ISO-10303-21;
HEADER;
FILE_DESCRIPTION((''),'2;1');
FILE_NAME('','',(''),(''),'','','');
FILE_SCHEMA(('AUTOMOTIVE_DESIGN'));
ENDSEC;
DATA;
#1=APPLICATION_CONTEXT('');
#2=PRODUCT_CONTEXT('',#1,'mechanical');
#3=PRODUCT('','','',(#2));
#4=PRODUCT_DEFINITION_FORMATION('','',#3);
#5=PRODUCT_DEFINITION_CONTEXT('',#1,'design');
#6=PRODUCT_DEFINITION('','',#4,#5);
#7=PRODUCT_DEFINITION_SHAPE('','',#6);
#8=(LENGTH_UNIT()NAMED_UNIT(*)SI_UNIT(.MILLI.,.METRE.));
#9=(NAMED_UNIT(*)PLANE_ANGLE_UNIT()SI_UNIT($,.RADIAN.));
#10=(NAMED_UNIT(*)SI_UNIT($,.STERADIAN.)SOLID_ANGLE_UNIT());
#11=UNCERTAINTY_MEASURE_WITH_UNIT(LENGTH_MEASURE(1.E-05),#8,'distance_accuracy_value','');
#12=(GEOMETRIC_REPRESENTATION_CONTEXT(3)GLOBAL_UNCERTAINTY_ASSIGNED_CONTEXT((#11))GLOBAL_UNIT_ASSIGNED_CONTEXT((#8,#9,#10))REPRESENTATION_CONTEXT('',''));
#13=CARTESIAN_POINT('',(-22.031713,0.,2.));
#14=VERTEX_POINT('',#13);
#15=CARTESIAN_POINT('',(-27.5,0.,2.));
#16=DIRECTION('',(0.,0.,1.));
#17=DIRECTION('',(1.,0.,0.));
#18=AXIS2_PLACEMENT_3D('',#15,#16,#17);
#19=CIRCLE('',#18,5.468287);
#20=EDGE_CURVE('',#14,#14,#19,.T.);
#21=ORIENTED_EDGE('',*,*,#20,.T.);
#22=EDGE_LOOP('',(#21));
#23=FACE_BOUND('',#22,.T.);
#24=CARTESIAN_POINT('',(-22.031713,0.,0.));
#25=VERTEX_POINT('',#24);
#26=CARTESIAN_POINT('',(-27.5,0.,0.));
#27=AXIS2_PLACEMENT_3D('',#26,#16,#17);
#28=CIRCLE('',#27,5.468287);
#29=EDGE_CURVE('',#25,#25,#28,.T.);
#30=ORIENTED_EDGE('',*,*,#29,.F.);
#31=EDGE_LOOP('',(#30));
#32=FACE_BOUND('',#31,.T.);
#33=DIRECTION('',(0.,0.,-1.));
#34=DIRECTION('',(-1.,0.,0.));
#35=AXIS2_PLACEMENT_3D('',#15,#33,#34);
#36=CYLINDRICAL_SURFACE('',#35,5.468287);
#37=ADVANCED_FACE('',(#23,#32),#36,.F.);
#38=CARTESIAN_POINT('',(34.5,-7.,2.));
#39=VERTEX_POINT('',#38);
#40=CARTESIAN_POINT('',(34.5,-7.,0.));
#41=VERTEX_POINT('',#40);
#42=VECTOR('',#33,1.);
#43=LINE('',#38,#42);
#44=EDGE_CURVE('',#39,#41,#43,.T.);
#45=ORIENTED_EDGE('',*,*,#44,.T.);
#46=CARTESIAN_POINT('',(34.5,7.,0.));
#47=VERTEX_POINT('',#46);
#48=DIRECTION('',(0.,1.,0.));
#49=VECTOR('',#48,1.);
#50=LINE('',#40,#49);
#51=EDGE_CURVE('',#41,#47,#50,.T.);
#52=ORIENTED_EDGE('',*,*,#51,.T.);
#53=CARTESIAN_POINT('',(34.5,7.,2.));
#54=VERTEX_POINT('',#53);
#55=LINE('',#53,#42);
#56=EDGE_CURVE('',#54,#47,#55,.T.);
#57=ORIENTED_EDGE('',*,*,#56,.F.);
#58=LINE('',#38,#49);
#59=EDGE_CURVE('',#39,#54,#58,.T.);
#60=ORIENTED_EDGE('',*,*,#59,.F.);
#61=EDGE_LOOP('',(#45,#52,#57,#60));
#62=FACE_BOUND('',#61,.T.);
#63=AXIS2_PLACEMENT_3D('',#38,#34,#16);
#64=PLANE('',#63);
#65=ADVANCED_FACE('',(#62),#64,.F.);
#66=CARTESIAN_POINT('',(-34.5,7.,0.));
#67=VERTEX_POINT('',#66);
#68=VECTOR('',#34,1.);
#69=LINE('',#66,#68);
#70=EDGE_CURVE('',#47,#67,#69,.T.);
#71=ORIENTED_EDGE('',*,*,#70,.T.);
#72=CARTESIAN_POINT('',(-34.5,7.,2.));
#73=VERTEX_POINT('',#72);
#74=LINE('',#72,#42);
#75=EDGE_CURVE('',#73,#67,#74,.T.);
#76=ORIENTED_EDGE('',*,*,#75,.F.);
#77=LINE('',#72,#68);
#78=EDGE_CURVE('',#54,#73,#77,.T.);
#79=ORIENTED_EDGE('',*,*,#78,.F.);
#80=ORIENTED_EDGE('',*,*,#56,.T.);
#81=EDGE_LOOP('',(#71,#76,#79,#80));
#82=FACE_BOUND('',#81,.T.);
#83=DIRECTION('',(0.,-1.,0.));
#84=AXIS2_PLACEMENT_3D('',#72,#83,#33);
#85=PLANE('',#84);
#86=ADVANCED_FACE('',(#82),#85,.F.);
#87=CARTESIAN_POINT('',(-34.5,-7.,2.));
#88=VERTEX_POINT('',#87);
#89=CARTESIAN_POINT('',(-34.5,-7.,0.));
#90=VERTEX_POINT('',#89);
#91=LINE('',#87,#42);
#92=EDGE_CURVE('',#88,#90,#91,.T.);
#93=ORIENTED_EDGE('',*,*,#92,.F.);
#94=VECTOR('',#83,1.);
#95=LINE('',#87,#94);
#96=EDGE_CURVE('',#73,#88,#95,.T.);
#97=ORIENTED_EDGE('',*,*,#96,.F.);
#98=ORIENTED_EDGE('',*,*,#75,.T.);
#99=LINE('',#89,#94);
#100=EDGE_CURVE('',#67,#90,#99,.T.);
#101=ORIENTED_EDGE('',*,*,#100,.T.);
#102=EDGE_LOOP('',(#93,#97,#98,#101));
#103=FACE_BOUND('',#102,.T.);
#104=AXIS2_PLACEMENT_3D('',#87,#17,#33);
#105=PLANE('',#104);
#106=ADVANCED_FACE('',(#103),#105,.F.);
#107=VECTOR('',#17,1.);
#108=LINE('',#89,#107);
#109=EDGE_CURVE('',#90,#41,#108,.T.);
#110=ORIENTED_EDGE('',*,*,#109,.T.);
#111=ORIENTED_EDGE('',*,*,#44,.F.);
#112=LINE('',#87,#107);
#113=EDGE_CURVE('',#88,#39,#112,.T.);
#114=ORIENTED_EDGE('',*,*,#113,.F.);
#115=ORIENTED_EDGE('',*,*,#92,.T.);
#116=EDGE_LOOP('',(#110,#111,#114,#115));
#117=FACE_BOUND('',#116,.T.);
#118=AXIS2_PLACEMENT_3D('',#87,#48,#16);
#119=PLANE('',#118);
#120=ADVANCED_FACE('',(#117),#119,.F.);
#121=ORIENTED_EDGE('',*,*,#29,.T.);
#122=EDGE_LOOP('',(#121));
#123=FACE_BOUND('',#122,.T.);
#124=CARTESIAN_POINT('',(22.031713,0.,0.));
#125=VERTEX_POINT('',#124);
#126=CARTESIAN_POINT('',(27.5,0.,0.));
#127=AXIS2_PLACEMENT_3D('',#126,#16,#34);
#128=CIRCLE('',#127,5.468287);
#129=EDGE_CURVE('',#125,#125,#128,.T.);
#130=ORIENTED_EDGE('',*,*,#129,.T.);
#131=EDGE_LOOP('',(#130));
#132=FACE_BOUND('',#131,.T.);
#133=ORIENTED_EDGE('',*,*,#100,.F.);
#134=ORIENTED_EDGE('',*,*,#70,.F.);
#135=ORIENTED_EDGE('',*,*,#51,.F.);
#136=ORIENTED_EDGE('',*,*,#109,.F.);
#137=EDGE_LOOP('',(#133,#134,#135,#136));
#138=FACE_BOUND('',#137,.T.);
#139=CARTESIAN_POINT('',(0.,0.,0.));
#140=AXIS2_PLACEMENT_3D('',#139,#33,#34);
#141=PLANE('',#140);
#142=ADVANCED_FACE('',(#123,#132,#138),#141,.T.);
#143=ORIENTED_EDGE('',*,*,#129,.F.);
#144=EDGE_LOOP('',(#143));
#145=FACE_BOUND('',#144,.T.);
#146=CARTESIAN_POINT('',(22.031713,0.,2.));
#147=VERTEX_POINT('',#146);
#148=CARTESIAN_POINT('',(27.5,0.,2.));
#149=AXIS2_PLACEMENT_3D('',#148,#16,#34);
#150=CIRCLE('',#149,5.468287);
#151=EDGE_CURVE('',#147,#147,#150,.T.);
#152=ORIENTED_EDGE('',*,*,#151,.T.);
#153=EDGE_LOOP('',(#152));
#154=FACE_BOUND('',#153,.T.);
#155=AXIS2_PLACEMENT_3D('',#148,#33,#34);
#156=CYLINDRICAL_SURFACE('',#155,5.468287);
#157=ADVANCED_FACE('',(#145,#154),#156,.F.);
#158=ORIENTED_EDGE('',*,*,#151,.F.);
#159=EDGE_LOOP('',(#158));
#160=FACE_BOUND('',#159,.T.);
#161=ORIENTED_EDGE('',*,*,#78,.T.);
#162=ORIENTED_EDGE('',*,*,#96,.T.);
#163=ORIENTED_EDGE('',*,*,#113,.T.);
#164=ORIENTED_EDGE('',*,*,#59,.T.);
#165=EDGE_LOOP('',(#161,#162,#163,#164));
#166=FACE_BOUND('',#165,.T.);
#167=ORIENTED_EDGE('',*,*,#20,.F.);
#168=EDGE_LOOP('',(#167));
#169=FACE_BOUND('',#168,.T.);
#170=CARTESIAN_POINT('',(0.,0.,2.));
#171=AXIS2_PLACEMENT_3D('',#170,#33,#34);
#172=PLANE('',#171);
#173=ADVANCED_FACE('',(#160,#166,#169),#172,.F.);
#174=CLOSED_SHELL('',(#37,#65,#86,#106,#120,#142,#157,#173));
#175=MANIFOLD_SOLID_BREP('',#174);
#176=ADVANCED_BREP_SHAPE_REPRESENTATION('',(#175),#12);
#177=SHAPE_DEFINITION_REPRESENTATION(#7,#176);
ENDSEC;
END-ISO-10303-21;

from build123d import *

# Parameters (mm, degrees)
SKETCH1_W           = 69
SKETCH1_H           = 14
SKETCH1_R           = 5.46828662
BOSS_EXTRUDE1_DEPTH = 2


with BuildPart() as part:
    # Sketch1 → Boss-Extrude1 (new body)
    with BuildSketch(Plane.XY):
        Rectangle(SKETCH1_W, SKETCH1_H)
        with Locations((-27.5, 0)):
            Circle(SKETCH1_R, mode=Mode.SUBTRACT)
        with Locations(Location((27.5, 0, 0), (0, 0, 180))):
            Circle(SKETCH1_R, mode=Mode.SUBTRACT)
    extrude(amount=BOSS_EXTRUDE1_DEPTH)


solid = part.part
